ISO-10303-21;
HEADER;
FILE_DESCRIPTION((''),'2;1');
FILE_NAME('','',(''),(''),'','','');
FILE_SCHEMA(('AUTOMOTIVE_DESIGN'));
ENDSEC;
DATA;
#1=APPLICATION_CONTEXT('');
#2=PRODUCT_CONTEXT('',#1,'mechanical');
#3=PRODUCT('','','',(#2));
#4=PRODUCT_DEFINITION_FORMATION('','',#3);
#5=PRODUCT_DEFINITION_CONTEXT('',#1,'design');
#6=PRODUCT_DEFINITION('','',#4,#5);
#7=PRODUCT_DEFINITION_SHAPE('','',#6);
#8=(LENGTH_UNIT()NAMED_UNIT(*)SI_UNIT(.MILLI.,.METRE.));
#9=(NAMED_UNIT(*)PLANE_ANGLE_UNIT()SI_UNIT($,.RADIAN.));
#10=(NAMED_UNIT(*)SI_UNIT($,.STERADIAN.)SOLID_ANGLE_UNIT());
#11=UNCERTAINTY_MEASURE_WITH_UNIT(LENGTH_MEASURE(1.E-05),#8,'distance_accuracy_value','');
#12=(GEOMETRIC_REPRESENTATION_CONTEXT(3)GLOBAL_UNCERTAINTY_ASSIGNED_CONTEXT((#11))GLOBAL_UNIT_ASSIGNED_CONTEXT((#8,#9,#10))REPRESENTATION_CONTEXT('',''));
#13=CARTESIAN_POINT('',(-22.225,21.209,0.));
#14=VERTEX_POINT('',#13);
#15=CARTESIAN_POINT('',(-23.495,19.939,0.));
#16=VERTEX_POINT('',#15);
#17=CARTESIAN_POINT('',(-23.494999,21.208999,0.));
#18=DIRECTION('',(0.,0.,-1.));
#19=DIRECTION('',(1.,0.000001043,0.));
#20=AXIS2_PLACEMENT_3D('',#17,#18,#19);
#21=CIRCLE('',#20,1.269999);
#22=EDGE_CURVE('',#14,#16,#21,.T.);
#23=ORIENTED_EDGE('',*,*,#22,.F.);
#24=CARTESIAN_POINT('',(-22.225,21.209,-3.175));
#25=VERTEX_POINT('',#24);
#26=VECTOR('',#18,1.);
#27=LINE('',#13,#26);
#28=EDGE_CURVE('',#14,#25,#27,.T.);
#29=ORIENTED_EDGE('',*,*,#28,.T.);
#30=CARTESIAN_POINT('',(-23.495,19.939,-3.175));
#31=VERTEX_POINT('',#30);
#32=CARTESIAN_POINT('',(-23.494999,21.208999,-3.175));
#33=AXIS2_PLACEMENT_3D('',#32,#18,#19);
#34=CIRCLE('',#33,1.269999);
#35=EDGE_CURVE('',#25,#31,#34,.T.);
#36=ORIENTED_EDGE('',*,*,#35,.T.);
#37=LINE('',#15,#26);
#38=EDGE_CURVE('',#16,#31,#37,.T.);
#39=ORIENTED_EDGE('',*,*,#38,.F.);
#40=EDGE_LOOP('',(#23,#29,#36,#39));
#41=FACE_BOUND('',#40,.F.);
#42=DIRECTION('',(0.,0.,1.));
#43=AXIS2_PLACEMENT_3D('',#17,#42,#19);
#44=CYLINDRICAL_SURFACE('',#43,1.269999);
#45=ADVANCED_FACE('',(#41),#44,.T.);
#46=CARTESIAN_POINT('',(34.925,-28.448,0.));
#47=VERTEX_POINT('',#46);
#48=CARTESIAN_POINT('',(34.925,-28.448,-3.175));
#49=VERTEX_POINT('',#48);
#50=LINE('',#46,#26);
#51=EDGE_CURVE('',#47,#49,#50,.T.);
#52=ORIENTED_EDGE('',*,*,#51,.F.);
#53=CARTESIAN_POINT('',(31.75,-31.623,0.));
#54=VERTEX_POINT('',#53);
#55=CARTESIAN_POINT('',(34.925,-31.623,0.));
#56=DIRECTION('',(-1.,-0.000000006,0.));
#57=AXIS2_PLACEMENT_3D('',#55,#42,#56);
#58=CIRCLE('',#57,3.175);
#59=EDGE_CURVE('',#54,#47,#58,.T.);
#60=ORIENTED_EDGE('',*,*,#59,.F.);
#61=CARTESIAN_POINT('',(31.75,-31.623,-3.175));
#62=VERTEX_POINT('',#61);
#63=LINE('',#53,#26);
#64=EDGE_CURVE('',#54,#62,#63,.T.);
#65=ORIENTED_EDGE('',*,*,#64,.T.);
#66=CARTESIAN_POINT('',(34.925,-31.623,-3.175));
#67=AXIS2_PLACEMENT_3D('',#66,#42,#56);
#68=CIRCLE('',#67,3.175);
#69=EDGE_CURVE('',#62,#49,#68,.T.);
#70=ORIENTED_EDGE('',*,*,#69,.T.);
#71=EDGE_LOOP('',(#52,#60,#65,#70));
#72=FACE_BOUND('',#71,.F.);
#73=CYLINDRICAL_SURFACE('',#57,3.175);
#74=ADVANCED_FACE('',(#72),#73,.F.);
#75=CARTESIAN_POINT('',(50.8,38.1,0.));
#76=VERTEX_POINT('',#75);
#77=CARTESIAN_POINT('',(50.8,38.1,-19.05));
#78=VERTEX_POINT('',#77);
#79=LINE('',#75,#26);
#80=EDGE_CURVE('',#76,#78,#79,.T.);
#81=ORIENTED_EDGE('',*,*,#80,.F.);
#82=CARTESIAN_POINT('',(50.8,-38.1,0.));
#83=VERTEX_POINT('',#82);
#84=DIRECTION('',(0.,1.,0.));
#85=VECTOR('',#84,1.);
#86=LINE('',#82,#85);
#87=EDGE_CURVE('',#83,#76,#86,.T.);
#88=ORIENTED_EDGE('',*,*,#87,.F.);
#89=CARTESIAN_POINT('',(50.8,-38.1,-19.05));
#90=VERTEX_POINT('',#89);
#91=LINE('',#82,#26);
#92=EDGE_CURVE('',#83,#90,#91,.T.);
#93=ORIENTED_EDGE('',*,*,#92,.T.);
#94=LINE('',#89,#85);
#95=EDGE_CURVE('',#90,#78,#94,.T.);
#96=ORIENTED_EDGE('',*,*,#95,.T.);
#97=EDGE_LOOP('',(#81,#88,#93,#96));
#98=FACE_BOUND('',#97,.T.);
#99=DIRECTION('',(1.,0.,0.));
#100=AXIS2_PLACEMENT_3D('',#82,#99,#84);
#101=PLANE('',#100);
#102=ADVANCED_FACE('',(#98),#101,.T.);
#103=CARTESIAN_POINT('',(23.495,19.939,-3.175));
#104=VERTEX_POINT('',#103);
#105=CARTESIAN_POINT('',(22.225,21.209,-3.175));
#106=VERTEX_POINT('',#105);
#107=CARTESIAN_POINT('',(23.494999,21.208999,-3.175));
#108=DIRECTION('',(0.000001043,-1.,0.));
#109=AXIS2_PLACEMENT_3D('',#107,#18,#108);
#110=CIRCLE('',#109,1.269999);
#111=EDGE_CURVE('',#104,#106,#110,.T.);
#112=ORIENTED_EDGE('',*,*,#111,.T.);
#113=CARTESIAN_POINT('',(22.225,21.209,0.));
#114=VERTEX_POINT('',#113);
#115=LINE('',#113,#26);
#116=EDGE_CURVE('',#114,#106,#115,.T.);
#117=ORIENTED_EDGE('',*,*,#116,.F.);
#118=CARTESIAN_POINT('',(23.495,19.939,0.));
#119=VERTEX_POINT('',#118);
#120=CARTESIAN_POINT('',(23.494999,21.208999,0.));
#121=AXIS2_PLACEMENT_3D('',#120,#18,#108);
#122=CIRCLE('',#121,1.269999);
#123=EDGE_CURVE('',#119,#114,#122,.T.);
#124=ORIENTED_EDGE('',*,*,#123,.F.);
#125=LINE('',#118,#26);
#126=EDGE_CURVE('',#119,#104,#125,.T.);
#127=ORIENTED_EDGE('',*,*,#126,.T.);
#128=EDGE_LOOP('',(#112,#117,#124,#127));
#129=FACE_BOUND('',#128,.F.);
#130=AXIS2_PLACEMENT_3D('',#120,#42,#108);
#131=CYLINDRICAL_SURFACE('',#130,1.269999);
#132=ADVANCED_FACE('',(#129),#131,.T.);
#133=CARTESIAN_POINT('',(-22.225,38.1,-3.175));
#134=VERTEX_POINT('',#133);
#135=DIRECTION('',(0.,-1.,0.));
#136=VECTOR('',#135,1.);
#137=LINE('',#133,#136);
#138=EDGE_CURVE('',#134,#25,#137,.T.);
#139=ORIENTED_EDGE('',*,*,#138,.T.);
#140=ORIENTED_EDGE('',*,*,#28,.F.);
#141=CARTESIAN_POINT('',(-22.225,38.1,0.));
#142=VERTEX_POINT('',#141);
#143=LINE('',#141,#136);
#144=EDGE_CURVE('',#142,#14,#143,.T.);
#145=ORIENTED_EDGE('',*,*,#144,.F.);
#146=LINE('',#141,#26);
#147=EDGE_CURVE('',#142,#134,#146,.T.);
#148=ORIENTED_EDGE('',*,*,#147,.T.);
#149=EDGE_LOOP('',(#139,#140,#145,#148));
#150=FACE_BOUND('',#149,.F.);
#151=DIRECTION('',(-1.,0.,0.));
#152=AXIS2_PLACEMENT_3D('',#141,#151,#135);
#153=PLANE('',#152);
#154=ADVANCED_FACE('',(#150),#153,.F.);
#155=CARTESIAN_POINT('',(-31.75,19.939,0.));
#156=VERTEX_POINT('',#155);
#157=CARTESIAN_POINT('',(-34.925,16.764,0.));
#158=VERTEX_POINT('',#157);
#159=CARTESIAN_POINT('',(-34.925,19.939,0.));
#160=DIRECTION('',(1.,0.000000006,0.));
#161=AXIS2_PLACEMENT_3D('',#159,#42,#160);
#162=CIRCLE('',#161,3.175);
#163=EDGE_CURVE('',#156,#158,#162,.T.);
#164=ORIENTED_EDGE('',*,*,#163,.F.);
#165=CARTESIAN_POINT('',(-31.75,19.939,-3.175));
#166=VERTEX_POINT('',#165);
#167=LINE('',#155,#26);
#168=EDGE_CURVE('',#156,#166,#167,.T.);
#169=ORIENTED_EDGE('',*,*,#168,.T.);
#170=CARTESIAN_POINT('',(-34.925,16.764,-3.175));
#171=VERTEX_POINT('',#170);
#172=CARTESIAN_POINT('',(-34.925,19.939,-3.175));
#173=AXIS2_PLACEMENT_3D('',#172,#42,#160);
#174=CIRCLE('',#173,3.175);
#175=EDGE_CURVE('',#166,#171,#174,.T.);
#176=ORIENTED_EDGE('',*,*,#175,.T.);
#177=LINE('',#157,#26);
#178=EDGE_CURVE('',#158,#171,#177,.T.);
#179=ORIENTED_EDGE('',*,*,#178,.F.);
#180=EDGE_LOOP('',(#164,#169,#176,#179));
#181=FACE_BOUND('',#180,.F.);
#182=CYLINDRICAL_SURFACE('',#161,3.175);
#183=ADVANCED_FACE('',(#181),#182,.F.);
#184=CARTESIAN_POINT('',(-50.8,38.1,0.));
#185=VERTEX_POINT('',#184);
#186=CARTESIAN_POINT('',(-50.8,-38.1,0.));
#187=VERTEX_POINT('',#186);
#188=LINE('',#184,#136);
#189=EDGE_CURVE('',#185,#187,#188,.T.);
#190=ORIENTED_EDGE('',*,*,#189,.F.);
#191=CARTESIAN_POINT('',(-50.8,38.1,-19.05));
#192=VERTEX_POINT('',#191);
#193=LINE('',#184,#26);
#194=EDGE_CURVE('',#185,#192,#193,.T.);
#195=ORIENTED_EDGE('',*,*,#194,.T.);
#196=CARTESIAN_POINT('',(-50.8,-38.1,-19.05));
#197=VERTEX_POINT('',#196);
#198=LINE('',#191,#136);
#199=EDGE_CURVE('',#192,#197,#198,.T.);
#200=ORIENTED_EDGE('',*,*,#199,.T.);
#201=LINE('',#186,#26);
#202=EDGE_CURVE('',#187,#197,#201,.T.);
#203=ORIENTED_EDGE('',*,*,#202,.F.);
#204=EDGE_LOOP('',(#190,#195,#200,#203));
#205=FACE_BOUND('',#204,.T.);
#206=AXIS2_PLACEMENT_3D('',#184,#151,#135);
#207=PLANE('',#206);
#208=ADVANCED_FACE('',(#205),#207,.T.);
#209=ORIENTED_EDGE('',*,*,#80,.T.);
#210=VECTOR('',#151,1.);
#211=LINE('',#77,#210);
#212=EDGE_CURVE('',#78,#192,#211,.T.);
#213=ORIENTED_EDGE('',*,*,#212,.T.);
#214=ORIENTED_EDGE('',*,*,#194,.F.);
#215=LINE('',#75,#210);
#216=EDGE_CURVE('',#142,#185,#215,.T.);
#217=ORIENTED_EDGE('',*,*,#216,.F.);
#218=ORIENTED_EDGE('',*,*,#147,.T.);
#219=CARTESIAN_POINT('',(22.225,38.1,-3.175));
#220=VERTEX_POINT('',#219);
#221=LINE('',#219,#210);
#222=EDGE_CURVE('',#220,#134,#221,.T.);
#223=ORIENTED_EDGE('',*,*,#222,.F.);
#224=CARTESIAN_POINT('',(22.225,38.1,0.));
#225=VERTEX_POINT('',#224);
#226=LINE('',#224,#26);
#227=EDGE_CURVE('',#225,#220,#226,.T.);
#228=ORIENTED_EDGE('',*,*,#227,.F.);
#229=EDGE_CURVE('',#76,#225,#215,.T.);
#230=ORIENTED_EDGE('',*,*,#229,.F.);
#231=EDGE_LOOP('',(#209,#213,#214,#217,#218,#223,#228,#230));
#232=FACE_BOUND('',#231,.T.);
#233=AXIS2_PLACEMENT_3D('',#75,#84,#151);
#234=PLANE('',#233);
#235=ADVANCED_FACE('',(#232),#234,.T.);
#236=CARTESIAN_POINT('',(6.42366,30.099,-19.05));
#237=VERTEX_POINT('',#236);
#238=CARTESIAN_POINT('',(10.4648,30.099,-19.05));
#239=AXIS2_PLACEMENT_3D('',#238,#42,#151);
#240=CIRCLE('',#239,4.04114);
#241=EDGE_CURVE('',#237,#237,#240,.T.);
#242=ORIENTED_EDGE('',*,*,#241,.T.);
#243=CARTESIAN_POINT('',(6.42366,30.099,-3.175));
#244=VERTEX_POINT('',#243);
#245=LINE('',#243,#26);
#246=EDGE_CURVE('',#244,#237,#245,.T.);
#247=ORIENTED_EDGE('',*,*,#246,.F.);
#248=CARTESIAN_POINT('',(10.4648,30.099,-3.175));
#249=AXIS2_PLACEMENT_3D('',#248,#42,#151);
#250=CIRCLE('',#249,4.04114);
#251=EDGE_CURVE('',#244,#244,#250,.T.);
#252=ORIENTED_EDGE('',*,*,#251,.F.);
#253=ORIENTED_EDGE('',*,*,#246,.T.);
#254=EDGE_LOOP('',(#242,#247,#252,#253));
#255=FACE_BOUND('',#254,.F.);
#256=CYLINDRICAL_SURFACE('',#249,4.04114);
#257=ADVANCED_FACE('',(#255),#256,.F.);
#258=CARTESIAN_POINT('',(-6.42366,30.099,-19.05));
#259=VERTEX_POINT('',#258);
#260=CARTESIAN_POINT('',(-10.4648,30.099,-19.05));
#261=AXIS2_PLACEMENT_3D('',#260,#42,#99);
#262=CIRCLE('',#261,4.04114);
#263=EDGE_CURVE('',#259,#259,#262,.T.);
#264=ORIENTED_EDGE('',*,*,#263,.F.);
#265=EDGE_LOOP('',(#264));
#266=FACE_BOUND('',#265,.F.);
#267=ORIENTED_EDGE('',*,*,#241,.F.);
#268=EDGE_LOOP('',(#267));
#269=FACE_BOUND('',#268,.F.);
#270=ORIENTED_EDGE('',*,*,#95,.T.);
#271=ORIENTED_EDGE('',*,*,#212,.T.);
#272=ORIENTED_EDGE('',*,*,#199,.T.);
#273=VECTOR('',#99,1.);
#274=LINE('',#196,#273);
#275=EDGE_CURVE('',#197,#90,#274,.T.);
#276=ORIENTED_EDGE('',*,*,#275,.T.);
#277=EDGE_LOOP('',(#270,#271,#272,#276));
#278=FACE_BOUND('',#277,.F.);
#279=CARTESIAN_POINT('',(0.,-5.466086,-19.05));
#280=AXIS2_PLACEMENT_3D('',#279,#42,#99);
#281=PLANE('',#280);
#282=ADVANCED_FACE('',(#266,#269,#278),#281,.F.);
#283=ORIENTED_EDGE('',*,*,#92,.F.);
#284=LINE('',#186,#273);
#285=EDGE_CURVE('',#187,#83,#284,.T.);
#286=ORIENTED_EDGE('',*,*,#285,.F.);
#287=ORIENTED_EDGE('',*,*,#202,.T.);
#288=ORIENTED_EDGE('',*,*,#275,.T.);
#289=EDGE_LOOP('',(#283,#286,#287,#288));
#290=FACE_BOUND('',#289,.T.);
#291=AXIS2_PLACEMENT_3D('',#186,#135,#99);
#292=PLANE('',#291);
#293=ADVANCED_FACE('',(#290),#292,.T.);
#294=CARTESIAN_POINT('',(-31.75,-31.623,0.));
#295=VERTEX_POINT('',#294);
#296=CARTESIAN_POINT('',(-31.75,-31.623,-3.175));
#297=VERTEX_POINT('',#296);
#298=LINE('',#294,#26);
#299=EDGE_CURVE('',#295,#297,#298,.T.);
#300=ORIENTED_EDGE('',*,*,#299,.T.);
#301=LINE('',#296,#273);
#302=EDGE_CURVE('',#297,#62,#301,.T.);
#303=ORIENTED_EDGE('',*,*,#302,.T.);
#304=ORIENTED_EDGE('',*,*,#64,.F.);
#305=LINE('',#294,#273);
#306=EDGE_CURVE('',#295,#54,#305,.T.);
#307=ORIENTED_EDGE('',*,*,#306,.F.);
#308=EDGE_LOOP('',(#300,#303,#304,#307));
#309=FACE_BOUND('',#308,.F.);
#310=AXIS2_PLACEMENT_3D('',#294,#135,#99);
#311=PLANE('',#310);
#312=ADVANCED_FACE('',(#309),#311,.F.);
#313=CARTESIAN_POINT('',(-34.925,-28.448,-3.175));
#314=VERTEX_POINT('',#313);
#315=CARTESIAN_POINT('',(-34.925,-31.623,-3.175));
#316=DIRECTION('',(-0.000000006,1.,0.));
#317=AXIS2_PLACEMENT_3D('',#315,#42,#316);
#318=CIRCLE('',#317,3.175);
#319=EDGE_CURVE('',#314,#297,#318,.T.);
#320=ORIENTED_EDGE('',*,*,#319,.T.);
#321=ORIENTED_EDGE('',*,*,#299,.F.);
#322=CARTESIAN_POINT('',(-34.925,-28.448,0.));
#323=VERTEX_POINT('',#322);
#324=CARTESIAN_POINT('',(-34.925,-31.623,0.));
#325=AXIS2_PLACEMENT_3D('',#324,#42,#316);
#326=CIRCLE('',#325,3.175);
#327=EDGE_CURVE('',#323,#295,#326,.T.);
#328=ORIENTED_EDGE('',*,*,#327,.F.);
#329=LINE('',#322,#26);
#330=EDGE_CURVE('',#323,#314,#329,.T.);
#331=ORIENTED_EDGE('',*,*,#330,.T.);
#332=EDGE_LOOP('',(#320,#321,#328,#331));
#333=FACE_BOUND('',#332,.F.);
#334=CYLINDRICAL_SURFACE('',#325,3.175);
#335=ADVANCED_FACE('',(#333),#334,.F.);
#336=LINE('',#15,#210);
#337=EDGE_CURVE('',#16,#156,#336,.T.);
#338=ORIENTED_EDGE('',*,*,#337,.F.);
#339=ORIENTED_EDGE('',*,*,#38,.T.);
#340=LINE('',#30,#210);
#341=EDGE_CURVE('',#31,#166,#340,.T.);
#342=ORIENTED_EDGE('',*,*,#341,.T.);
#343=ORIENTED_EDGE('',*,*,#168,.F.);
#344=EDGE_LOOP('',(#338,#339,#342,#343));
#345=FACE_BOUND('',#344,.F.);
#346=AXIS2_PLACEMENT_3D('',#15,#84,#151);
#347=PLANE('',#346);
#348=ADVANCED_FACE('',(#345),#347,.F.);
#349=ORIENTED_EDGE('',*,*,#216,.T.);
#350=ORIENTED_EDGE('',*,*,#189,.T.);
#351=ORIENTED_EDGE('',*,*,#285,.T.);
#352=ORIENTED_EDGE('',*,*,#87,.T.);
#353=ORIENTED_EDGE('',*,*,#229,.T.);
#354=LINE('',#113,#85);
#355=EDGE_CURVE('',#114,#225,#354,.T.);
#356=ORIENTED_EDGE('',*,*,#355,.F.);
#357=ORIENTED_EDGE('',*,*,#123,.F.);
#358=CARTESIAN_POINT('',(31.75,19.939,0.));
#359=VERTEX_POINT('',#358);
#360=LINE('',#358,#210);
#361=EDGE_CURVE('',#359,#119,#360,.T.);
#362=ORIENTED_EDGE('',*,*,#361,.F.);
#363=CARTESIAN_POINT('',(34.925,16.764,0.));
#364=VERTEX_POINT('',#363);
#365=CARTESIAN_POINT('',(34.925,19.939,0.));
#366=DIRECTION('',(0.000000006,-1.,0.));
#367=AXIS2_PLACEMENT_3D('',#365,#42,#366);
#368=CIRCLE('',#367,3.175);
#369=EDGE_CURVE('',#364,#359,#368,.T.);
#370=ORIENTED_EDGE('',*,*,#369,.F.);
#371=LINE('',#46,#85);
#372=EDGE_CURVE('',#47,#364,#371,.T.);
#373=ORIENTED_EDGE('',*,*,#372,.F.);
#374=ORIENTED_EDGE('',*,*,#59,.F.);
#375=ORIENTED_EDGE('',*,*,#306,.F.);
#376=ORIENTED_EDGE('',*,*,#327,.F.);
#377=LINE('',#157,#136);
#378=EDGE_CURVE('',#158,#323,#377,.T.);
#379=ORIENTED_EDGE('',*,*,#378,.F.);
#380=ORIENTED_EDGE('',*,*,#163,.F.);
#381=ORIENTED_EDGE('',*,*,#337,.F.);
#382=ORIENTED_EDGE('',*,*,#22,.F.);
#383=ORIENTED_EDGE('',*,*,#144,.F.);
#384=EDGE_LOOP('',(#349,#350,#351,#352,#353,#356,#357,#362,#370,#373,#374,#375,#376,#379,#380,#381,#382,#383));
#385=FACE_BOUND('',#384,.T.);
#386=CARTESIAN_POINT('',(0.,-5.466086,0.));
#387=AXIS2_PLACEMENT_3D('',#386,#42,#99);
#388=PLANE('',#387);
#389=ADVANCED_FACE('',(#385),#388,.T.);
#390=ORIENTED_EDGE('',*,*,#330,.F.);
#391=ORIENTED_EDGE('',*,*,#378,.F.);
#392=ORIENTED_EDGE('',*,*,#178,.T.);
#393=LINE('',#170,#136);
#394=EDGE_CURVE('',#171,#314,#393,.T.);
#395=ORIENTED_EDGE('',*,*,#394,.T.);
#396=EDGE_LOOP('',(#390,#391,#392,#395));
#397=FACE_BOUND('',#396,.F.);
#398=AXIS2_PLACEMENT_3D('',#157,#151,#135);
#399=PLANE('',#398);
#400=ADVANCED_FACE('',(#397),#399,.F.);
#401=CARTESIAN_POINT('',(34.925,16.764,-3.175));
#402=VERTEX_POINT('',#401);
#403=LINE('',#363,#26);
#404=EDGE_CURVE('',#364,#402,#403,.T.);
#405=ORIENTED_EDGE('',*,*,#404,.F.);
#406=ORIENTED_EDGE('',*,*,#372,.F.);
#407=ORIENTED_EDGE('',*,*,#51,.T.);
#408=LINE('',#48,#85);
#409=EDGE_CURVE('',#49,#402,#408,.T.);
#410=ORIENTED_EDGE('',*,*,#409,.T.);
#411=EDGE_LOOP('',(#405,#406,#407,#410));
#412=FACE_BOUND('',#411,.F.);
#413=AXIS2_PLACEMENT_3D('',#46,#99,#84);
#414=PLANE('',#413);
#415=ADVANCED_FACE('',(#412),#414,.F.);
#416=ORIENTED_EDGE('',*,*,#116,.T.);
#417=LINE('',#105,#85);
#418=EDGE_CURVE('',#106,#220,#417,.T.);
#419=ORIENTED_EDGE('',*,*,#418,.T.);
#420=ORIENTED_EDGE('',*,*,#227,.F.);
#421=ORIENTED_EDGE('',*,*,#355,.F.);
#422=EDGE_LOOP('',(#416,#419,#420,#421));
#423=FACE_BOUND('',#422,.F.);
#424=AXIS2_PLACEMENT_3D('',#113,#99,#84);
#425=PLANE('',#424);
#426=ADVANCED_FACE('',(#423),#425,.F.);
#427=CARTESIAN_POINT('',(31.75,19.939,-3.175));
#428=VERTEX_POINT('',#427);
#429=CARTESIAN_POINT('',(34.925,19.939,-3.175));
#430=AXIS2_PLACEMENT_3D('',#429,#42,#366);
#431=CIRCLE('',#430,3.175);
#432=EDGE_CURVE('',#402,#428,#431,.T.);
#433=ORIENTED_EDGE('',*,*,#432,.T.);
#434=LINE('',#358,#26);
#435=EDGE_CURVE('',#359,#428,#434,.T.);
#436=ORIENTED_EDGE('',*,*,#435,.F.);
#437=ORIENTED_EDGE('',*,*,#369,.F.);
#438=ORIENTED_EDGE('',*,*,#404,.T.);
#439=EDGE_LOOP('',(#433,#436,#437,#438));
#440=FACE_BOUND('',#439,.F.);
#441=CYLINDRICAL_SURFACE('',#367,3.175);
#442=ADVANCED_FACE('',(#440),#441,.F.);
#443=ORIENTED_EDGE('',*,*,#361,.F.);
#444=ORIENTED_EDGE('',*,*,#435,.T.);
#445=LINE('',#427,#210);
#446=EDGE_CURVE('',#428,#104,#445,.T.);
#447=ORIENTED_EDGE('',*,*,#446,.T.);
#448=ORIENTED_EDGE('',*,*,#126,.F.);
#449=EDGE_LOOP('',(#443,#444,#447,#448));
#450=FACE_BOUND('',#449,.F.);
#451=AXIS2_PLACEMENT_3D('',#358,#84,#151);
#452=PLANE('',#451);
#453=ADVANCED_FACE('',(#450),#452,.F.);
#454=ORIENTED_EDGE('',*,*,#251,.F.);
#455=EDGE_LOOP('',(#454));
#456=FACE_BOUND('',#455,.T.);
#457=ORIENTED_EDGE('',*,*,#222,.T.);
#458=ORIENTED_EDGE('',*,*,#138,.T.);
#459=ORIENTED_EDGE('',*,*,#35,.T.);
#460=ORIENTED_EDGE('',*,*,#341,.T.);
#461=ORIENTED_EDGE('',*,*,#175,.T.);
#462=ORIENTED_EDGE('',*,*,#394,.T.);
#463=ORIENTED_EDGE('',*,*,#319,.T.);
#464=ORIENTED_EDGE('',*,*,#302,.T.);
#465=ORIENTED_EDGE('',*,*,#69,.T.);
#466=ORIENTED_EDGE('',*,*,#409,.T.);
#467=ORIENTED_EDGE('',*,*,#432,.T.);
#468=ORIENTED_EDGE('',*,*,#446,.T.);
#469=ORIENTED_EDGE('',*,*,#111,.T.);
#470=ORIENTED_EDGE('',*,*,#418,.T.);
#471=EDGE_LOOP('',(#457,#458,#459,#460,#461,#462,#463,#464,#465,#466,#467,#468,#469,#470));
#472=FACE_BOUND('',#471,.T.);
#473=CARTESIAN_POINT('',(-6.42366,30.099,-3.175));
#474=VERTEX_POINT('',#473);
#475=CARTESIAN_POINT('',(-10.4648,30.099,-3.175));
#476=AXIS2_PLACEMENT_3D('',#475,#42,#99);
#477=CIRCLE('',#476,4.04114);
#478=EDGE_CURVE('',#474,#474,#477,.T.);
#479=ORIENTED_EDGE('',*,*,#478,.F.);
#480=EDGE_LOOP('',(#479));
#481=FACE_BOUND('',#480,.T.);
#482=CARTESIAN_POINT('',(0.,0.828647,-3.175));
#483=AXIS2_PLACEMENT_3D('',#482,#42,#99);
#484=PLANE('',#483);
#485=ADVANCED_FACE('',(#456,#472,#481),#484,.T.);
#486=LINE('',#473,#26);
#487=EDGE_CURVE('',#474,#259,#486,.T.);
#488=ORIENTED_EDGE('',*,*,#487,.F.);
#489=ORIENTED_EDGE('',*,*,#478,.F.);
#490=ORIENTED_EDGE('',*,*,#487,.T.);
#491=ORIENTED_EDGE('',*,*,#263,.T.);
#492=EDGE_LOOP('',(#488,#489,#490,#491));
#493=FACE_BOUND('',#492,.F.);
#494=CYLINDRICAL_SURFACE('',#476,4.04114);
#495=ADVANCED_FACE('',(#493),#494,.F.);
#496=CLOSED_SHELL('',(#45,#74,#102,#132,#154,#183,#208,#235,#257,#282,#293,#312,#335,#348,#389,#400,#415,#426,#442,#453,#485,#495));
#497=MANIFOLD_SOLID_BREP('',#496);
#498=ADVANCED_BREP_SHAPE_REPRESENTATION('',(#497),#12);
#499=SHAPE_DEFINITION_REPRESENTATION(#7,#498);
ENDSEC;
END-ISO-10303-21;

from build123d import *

# Parameters (mm, degrees)
F1_DEPTH = 19.05
F2_DEPTH = 3.175
F3_R     = 4.04114
F4_DEPTH = 25.4


with BuildPart() as f1:
    # F0 (on Top) → F1 (new body)
    with BuildSketch(Plane.XY):
        with BuildLine():
            Line((20.623783, -38.1), (50.8, -38.1))
            Line((50.8, -38.1), (50.8, 38.1))
            Line((50.8, 38.1), (22.225, 38.1))
            Line((22.225, 38.1), (22.225, 21.209))
            ThreePointArc((22.225, 21.209), (22.596974, 20.310974), (23.495, 19.939))
            Line((23.495, 19.939), (31.75, 19.939))
            ThreePointArc((31.75, 19.939), (37.170064, 22.184064), (34.925, 16.764))
            Line((34.925, 16.764), (34.925, -28.448))
            ThreePointArc((34.925, -28.448), (37.170064, -33.868064), (31.75, -31.623))
            Line((31.75, -31.623), (-31.75, -31.623))
            ThreePointArc((-31.75, -31.623), (-37.170064, -33.868064), (-34.925, -28.448))
            Line((-34.925, -28.448), (-34.925, 16.764))
            ThreePointArc((-34.925, 16.764), (-37.170064, 22.184064), (-31.75, 19.939))
            Line((-31.75, 19.939), (-23.495, 19.939))
            ThreePointArc((-23.495, 19.939), (-22.596974, 20.310974), (-22.225, 21.209))
            Line((-22.225, 21.209), (-22.225, 38.1))
            Line((-22.225, 38.1), (-50.8, 38.1))
            Line((-50.8, 38.1), (-50.8, -38.1))
            Line((-50.8, -38.1), (-20.623783, -38.1))
            Line((-20.623783, -38.1), (20.623783, -38.1))
        make_face()
        with BuildLine():
            Line((22.225, 21.209), (22.225, 38.1))
            Line((22.225, 38.1), (-22.225, 38.1))
            Line((-22.225, 38.1), (-22.225, 21.209))
            ThreePointArc((-22.225, 21.209), (-22.596974, 20.310974), (-23.495, 19.939))
            Line((-23.495, 19.939), (-31.75, 19.939))
            ThreePointArc((-31.75, 19.939), (-37.170064, 22.184064), (-34.925, 16.764))
            Line((-34.925, 16.764), (-34.925, -28.448))
            ThreePointArc((-34.925, -28.448), (-37.170064, -33.868064), (-31.75, -31.623))
            Line((-31.75, -31.623), (31.75, -31.623))
            ThreePointArc((31.75, -31.623), (37.170064, -33.868064), (34.925, -28.448))
            Line((34.925, -28.448), (34.925, 16.764))
            ThreePointArc((34.925, 16.764), (37.170064, 22.184064), (31.75, 19.939))
            Line((31.75, 19.939), (23.495, 19.939))
            ThreePointArc((23.495, 19.939), (22.596974, 20.310974), (22.225, 21.209))
        make_face()
    extrude(amount=-F1_DEPTH)

    # F0 (on Top) → F2 (cut)
    with BuildSketch(Plane.XY):
        with BuildLine():
            Line((22.225, 21.209), (22.225, 38.1))
            Line((22.225, 38.1), (-22.225, 38.1))
            Line((-22.225, 38.1), (-22.225, 21.209))
            ThreePointArc((-22.225, 21.209), (-22.596974, 20.310974), (-23.495, 19.939))
            Line((-23.495, 19.939), (-31.75, 19.939))
            ThreePointArc((-31.75, 19.939), (-37.170064, 22.184064), (-34.925, 16.764))
            Line((-34.925, 16.764), (-34.925, -28.448))
            ThreePointArc((-34.925, -28.448), (-37.170064, -33.868064), (-31.75, -31.623))
            Line((-31.75, -31.623), (31.75, -31.623))
            ThreePointArc((31.75, -31.623), (37.170064, -33.868064), (34.925, -28.448))
            Line((34.925, -28.448), (34.925, 16.764))
            ThreePointArc((34.925, 16.764), (37.170064, 22.184064), (31.75, 19.939))
            Line((31.75, 19.939), (23.495, 19.939))
            ThreePointArc((23.495, 19.939), (22.596974, 20.310974), (22.225, 21.209))
        make_face()
    extrude(amount=-F2_DEPTH, mode=Mode.SUBTRACT)

    # F3 (on face) → F4 (cut)
    with BuildSketch(Plane.XY.offset(-3.175)):
        with BuildLine():
            ThreePointArc((14.50594, 30.099), (10.4648, 34.14014), (6.42366, 30.099))
            ThreePointArc((6.42366, 30.099), (10.4648, 26.05786), (14.50594, 30.099))
        make_face()
        with Locations((-10.4648, 30.099)):
            Circle(F3_R)
    extrude(amount=-F4_DEPTH, mode=Mode.SUBTRACT)


solid = f1.part
